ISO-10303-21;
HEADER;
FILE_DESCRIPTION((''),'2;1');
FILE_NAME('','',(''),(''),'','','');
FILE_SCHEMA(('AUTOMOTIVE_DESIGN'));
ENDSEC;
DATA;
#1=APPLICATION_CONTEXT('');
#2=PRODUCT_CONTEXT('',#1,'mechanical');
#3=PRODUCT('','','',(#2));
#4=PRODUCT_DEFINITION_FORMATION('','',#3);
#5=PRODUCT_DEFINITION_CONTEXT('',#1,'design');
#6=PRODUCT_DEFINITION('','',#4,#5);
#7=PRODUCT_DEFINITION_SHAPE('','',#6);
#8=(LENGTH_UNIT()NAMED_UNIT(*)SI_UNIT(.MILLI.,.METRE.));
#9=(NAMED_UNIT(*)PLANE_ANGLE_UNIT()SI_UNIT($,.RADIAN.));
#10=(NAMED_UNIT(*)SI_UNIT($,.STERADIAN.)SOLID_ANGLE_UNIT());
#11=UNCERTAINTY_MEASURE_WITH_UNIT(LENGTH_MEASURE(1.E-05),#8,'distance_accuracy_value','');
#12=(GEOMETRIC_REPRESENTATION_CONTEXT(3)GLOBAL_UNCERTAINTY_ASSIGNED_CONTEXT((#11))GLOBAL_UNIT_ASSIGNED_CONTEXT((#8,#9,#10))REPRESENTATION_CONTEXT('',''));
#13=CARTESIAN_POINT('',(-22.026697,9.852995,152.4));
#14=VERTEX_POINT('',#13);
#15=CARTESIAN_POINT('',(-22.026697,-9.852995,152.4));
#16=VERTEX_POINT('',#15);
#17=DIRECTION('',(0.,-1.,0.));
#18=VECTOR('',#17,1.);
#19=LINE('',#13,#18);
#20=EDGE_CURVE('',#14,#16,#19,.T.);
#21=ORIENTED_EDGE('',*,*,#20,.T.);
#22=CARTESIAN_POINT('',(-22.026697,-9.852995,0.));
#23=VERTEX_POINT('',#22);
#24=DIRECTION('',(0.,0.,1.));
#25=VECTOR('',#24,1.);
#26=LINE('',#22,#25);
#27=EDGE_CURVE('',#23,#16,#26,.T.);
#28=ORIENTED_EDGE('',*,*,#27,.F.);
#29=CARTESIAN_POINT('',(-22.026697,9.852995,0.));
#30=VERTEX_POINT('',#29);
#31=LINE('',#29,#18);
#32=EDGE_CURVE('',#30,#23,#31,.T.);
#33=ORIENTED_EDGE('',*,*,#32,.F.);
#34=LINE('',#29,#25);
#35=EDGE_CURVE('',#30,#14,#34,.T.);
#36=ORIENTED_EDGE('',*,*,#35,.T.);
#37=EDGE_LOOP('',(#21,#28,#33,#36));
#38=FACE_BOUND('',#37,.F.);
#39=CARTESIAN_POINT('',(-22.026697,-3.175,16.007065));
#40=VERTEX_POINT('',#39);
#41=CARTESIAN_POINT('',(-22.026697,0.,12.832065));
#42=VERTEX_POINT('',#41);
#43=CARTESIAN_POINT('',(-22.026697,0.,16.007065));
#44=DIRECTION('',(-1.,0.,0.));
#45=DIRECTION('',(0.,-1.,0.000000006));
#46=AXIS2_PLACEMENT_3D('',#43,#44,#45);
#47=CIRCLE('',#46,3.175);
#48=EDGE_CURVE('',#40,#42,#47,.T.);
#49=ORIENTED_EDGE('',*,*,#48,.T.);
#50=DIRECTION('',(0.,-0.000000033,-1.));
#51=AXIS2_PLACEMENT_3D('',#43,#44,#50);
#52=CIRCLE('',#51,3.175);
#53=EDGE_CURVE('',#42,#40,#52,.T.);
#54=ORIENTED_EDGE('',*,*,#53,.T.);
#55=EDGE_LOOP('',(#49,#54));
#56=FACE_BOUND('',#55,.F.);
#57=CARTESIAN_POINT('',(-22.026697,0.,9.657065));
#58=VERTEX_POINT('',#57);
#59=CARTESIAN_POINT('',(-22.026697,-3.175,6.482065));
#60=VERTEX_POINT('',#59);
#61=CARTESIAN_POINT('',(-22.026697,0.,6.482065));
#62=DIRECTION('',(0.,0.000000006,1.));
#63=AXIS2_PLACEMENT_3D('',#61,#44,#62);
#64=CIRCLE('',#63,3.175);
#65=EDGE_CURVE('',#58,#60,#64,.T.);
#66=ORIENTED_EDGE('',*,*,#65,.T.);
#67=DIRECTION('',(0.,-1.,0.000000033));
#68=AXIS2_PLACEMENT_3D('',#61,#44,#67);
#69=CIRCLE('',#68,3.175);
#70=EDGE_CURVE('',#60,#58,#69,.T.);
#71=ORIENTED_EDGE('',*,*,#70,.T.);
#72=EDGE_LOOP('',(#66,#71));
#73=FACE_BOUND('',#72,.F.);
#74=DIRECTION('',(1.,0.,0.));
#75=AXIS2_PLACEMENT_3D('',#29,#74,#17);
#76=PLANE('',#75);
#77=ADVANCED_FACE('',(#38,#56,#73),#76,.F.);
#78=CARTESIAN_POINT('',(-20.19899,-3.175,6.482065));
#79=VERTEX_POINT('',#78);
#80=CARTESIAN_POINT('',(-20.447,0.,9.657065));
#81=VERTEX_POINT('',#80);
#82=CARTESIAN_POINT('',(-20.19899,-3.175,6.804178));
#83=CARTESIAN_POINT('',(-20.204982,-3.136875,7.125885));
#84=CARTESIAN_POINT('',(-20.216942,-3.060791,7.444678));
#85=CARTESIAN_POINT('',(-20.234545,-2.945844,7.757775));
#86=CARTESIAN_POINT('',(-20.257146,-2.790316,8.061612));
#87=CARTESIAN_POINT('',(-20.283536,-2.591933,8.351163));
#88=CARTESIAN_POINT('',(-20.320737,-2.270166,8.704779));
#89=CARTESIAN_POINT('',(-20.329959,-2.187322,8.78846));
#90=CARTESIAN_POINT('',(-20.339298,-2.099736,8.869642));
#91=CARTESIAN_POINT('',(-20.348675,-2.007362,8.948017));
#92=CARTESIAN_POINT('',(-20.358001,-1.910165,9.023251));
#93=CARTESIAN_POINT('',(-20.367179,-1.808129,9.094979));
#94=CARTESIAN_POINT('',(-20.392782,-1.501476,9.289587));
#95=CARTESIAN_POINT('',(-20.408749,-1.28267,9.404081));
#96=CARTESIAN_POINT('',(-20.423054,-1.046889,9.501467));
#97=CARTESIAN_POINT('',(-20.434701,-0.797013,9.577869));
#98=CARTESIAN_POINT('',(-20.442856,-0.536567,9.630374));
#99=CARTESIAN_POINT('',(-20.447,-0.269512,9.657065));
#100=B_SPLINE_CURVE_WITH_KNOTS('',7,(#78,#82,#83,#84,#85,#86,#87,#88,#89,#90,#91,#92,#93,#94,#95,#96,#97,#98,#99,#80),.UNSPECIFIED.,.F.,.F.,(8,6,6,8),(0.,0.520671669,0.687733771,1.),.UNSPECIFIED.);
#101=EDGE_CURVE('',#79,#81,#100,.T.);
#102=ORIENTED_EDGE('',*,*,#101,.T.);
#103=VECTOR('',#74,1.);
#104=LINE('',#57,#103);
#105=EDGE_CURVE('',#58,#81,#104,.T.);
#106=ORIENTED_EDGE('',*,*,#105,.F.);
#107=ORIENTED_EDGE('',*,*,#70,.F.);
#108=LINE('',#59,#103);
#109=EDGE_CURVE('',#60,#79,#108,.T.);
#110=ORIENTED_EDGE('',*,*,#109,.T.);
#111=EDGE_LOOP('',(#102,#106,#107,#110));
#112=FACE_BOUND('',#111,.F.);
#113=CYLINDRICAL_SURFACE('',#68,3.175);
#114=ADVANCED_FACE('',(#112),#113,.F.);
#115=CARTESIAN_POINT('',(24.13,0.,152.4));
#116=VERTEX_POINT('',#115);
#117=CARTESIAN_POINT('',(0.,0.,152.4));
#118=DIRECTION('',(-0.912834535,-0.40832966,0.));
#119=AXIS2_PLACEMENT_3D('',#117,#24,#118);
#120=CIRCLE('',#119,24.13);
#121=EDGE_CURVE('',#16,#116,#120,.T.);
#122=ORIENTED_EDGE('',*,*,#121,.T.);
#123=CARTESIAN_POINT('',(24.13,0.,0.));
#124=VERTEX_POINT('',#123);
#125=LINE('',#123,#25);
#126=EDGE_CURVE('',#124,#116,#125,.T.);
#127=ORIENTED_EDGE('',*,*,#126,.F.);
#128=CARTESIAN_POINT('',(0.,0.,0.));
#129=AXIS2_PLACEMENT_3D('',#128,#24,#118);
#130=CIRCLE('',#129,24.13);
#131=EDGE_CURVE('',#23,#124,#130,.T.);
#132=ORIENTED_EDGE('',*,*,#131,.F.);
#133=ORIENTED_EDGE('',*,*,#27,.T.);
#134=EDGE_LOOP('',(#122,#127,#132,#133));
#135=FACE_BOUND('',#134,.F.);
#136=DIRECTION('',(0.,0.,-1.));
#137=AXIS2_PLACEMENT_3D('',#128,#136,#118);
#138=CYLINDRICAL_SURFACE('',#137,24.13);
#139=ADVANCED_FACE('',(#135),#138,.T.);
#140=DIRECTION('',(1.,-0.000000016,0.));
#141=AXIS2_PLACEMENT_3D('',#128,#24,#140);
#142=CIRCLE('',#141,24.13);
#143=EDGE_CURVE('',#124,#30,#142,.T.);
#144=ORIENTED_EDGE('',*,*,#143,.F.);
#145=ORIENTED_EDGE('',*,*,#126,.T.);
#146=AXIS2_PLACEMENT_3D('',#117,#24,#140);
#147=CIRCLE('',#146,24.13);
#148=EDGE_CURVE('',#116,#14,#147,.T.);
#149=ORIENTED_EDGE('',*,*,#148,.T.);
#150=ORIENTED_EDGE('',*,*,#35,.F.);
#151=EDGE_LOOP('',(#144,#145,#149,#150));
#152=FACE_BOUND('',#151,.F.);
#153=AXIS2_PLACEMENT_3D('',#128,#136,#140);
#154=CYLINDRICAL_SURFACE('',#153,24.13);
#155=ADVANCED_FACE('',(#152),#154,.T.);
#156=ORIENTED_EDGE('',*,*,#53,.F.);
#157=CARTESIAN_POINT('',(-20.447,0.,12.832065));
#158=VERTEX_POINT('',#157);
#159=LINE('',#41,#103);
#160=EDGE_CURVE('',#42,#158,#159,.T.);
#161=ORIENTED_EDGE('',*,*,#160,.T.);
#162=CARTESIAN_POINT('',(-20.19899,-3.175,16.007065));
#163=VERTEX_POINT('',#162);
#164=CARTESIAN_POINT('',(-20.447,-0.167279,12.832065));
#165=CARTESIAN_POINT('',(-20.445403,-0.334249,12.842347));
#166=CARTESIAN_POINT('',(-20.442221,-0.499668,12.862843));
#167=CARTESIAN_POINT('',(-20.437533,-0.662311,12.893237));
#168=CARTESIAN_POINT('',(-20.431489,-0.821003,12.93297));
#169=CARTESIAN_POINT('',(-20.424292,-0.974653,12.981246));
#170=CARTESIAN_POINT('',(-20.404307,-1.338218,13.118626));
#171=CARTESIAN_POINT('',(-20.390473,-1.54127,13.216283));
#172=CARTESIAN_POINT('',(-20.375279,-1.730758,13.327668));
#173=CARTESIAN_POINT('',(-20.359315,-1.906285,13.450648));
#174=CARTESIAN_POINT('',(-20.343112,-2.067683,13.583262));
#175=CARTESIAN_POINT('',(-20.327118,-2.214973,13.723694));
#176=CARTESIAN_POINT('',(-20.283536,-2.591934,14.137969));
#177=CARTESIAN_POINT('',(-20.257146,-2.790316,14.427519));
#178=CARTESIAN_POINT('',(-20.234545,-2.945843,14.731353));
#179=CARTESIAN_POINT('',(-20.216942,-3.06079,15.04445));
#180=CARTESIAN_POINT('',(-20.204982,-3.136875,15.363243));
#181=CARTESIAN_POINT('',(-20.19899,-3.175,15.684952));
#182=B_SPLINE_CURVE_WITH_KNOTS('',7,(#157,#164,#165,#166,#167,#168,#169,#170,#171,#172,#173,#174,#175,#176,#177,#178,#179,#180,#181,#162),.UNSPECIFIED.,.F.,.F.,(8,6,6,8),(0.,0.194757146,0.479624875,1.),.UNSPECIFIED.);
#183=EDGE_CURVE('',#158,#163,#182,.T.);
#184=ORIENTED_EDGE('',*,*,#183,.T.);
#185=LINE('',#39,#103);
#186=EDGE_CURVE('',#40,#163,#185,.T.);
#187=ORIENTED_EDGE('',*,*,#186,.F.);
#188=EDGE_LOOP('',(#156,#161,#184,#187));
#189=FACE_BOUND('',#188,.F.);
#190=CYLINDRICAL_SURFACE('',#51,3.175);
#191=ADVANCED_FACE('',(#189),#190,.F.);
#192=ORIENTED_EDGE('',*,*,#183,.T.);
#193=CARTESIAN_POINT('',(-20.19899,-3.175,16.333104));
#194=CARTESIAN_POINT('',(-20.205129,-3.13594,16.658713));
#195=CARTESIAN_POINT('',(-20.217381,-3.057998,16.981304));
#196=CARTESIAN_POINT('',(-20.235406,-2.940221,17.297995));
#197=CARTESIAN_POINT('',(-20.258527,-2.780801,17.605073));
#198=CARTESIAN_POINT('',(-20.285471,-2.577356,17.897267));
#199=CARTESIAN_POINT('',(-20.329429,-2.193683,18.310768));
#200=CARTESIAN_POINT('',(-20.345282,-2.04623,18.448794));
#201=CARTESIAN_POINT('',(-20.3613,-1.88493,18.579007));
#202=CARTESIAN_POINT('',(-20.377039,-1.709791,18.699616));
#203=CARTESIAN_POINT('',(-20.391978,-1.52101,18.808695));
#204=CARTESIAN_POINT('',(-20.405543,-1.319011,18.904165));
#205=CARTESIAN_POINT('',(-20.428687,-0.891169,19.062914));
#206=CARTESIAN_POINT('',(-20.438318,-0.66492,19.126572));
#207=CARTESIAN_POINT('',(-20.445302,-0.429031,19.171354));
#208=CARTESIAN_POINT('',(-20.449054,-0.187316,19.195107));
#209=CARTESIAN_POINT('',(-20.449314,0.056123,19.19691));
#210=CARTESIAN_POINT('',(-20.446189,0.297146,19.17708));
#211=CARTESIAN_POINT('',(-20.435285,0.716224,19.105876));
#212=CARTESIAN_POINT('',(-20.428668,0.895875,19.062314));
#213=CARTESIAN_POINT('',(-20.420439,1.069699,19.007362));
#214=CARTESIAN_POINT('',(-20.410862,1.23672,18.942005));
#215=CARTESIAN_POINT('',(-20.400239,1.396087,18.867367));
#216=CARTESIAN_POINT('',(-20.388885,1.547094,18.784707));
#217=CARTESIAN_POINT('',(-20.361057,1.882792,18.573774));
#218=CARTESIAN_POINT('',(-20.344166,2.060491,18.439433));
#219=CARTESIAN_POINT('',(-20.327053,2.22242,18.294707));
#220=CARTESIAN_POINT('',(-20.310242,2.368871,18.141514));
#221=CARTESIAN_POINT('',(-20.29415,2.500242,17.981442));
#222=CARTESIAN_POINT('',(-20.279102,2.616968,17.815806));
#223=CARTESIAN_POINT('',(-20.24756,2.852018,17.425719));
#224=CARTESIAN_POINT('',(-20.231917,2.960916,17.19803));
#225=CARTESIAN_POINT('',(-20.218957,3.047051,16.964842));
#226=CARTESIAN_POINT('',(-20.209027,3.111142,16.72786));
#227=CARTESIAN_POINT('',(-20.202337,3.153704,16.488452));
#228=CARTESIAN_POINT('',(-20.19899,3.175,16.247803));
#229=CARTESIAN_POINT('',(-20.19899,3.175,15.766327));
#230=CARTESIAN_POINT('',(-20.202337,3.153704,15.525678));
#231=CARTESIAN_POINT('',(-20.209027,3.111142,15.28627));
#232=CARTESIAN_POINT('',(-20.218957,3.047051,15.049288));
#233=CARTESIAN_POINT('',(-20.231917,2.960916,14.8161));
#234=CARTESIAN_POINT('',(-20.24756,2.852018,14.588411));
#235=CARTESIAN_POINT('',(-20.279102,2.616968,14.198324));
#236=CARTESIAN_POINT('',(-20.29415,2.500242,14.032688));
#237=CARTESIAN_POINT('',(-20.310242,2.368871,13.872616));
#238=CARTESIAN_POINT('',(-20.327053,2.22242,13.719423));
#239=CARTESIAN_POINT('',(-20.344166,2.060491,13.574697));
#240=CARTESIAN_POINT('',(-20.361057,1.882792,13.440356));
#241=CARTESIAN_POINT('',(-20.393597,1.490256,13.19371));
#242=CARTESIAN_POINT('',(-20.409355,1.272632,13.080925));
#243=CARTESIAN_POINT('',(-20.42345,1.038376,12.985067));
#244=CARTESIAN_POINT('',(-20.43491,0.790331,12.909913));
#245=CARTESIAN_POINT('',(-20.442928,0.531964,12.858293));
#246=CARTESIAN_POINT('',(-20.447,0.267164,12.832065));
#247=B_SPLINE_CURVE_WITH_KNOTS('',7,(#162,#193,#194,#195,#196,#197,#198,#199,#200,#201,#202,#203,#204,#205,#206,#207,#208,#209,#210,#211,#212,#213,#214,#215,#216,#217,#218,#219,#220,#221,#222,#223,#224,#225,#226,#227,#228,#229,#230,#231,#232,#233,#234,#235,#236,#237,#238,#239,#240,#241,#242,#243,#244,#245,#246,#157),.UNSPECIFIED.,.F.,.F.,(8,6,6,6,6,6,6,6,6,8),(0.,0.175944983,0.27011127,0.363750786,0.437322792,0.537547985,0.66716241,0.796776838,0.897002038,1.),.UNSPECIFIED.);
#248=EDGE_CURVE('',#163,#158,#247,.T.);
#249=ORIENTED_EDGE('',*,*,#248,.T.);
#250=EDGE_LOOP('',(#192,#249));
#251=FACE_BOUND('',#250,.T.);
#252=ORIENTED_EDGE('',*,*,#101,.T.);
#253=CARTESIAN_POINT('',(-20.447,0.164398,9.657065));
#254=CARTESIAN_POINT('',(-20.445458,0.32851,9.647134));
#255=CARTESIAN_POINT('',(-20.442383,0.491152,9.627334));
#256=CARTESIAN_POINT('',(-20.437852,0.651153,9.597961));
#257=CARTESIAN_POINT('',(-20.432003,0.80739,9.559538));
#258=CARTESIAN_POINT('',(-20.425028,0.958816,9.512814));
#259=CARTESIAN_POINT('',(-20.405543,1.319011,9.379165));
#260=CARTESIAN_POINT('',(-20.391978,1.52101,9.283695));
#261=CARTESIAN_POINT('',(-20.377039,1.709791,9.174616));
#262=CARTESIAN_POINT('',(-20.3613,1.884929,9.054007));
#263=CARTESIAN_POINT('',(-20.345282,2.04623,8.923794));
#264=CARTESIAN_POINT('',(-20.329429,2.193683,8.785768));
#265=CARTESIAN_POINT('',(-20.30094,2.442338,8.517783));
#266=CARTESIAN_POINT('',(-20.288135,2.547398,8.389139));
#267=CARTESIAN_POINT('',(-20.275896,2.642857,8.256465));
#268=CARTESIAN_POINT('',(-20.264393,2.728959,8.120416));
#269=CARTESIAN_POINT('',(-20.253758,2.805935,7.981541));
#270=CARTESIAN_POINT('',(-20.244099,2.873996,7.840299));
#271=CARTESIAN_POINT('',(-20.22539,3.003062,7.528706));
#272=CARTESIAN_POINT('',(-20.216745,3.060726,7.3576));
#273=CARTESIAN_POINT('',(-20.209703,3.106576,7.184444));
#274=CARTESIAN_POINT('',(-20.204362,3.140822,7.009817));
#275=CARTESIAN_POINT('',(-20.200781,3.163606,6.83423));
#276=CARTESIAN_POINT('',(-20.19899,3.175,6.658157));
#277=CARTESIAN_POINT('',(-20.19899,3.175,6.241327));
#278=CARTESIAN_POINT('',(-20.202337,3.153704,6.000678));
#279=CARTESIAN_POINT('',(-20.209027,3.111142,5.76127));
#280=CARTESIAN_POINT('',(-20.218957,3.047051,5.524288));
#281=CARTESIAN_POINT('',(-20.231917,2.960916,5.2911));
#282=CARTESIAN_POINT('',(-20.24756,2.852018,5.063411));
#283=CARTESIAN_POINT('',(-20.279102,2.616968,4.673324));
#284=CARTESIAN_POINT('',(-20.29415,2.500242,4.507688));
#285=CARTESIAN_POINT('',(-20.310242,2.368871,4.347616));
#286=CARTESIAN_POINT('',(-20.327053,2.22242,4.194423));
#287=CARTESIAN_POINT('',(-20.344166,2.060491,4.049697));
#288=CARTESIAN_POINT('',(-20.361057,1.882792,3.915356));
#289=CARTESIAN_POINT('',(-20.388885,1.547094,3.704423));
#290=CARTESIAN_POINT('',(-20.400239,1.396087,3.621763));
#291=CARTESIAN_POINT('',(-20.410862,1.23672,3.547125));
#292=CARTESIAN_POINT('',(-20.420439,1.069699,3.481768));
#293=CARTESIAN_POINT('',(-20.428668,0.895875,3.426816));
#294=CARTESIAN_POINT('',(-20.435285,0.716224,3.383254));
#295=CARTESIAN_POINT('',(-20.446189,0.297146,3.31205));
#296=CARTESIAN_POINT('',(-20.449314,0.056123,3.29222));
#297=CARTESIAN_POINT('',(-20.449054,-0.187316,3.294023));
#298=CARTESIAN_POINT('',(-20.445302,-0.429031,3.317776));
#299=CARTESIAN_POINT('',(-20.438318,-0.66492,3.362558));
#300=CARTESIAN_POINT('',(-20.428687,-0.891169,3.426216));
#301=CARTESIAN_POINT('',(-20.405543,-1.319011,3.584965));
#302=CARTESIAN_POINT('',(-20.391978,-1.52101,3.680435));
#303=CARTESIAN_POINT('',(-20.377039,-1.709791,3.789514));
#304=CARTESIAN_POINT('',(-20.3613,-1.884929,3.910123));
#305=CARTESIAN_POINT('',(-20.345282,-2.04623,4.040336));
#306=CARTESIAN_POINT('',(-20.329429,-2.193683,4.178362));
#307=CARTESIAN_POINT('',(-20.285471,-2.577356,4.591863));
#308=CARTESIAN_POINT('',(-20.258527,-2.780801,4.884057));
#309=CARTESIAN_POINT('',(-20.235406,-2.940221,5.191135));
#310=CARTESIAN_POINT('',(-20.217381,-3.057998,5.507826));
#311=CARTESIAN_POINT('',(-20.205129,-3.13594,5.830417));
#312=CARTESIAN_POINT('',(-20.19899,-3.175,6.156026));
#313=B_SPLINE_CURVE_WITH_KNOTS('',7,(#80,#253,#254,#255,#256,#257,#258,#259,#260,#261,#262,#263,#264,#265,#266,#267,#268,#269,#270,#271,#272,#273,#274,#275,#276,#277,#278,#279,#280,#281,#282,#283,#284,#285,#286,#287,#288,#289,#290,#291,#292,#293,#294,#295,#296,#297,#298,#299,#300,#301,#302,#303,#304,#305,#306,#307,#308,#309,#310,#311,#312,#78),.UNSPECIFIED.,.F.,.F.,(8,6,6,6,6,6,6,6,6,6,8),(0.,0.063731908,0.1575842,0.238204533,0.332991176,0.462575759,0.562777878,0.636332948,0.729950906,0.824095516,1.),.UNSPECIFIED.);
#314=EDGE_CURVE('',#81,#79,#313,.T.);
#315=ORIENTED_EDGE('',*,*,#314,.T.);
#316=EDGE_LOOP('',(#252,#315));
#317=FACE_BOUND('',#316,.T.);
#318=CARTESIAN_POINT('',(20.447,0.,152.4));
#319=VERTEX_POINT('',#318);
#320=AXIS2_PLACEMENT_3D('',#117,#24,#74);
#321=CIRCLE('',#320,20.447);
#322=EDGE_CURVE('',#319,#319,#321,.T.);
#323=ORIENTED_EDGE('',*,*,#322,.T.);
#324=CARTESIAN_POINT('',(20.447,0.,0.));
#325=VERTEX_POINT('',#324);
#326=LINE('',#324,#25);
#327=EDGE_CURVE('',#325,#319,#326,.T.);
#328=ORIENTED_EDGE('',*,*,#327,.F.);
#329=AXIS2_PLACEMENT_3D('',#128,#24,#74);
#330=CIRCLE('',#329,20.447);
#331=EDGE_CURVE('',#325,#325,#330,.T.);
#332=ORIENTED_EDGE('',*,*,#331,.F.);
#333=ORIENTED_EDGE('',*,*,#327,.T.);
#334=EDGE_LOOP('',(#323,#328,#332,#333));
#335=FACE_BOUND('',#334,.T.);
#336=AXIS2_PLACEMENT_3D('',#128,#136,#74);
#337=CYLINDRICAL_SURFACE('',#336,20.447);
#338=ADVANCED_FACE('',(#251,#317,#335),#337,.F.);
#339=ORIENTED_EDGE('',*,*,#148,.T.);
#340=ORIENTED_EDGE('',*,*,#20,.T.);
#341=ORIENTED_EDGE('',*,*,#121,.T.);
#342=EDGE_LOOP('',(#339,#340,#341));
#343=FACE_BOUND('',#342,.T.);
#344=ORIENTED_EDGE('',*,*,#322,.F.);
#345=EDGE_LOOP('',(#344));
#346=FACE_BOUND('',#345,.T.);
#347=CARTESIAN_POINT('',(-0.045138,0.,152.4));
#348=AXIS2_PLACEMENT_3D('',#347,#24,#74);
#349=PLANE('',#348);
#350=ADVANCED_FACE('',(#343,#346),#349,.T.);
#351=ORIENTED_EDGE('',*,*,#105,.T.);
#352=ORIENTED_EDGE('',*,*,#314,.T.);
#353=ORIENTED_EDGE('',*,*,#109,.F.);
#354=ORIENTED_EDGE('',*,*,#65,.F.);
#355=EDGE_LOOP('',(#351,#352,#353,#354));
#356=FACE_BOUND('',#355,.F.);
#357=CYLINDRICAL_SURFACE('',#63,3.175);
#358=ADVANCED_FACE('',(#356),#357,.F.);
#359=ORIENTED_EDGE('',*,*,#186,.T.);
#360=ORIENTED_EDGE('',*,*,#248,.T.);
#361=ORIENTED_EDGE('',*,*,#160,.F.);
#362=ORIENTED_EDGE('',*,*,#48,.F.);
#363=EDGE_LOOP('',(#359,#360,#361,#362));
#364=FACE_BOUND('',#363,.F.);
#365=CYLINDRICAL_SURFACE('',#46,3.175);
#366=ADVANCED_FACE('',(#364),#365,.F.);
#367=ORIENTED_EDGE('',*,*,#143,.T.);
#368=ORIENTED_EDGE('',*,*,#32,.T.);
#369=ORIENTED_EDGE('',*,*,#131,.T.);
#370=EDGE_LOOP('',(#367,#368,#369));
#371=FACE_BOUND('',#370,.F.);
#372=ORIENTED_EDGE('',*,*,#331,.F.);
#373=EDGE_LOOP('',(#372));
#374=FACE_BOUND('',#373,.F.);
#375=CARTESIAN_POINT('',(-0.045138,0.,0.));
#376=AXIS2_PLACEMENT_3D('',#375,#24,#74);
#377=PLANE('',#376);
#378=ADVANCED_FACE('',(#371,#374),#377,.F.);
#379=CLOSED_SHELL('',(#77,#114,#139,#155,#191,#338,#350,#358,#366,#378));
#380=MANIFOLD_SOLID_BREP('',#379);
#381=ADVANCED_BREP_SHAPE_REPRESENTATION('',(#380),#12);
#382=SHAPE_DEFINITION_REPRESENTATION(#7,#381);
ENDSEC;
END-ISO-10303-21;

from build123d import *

# Parameters (mm, degrees)
F0_R     = 20.447
F1_DEPTH = 152.4
F3_DEPTH = 25.4


with BuildPart() as f1:
    # F0 (on Top) → F1 (new body)
    with BuildSketch(Plane.XY):
        with BuildLine():
            ThreePointArc((-22.026697, -9.852995), (5.037494, -23.598317), (24.13, 0))
            ThreePointArc((24.13, 0), (5.037494, 23.598317), (-22.026697, 9.852995))
            Line((-22.026697, 9.852995), (-22.026697, -9.852995))
        make_face()
        Circle(F0_R, mode=Mode.SUBTRACT)
    extrude(amount=F1_DEPTH)

    # F2 (on face) → F3 (cut)
    with BuildSketch(Plane(origin=(-22.026697, 0, 0), x_dir=(0, -1, 0), z_dir=(-1, 0, 0))):
        with BuildLine():
            ThreePointArc((3.175, 16.007065), (-2.245064, 18.252129), (0, 12.832065))
            ThreePointArc((0, 12.832065), (2.245064, 13.762001), (3.175, 16.007065))
        make_face()
        with BuildLine():
            ThreePointArc((0, 9.657065), (-2.245064, 4.237001), (3.175, 6.482065))
            ThreePointArc((3.175, 6.482065), (2.245064, 8.727129), (0, 9.657065))
        make_face()
    extrude(amount=-F3_DEPTH, mode=Mode.SUBTRACT)


solid = f1.part
